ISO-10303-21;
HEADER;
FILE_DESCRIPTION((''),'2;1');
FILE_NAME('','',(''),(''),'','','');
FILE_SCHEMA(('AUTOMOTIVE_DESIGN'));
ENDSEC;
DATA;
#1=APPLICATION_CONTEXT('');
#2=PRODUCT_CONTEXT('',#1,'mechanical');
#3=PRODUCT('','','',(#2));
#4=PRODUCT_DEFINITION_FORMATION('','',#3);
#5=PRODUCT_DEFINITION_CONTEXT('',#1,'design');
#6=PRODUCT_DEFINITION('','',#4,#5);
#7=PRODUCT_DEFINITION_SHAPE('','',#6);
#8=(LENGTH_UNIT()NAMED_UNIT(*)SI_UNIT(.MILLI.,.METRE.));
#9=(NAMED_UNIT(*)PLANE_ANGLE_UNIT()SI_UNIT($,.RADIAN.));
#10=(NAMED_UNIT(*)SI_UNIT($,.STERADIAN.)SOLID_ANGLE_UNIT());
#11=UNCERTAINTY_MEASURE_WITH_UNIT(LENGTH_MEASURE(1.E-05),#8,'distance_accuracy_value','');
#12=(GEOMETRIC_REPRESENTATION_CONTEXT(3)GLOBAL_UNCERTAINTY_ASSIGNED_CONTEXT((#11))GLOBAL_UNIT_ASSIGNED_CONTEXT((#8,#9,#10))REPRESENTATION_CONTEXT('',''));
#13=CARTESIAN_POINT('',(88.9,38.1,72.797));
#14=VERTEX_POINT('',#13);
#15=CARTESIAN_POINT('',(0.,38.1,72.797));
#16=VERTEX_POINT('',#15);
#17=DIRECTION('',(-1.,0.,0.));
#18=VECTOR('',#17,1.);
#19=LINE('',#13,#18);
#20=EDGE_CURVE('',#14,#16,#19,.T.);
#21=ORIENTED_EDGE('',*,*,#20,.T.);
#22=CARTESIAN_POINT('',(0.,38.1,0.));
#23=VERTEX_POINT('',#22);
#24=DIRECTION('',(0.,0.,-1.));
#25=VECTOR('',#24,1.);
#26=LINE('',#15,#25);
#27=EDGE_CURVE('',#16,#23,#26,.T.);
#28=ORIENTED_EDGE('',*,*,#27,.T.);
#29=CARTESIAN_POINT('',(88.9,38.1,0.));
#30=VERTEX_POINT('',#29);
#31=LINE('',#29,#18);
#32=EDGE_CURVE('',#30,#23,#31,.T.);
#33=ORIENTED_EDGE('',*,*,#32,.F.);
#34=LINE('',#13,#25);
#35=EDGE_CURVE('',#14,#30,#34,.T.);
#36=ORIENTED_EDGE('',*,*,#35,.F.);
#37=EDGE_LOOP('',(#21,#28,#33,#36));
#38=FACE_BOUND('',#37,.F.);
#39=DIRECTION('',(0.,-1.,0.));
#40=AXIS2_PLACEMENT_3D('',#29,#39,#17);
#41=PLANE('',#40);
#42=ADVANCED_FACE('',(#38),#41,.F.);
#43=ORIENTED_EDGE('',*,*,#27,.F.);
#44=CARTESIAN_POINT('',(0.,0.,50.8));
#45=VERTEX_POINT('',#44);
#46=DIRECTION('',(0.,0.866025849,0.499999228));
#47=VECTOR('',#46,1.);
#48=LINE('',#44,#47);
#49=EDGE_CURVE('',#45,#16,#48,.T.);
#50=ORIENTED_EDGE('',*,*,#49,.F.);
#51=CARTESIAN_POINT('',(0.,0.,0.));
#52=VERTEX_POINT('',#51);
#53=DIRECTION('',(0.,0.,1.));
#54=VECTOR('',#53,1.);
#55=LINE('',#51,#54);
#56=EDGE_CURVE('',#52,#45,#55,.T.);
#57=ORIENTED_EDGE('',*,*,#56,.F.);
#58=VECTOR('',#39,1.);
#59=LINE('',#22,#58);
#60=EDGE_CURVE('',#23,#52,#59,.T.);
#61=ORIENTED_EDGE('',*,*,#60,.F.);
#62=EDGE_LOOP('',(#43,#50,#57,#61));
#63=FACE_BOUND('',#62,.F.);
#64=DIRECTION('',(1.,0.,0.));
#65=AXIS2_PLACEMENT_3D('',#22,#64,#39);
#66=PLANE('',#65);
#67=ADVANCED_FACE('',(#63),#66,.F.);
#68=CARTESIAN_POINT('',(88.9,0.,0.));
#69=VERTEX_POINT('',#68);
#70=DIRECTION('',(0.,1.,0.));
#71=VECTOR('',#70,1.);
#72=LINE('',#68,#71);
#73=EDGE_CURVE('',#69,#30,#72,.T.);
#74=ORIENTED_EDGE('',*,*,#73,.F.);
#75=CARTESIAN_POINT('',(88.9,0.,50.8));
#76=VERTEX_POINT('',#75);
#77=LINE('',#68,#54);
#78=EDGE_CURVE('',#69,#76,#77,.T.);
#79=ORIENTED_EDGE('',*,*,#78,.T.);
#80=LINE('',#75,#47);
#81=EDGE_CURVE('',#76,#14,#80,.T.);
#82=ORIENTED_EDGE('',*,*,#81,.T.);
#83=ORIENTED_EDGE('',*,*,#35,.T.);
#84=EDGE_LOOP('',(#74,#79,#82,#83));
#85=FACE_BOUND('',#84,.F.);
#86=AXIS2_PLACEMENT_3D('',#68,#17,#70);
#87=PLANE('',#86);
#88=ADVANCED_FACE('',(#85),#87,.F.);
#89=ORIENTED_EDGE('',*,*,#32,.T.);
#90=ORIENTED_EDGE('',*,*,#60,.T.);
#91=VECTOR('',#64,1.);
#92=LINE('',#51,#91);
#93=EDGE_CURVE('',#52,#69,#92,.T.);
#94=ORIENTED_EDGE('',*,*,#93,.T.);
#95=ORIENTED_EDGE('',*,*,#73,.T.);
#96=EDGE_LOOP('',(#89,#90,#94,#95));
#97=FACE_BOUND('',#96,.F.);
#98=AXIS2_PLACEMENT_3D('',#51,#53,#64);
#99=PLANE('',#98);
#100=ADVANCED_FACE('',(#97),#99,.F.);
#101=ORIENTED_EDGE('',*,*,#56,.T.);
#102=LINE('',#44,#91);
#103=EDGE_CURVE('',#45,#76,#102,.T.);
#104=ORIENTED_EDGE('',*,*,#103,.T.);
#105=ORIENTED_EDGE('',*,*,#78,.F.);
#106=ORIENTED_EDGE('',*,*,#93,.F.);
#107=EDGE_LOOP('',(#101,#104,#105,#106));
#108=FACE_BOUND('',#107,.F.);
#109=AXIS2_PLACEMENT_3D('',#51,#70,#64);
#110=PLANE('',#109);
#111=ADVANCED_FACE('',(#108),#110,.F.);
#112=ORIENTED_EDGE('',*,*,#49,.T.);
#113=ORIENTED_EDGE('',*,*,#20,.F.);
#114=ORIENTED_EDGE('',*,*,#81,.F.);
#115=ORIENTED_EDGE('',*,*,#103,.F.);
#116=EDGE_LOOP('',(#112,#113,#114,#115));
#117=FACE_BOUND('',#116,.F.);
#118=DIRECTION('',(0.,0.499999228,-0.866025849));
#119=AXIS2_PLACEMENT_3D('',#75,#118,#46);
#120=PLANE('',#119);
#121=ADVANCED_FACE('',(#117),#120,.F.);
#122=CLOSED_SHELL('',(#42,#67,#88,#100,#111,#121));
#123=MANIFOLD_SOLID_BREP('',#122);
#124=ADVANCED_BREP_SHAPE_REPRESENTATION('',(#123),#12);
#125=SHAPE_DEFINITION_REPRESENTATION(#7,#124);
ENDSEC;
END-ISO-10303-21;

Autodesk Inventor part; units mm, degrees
ref_plane "YZ Plane" through (0, 0, 0) normal (1, 0, 0) x (0, 1, 0)
ref_plane "XZ Plane" through (0, 0, 0) normal (0, 1, 0) x (-1, 0, 0)
ref_plane "XY Plane" through (0, 0, 0) normal (0, 0, 1) x (1, 0, 0)
sketch "Sketch1" plane through (0, 0, 0) normal (0, 0, 1) x (1, 0, 0)
  line L0 (0, 0) -> (88.9, 0)
  line L1 (88.9, 0) -> (88.9, 38.1)
  line L2 (88.9, 38.1) -> (0, 38.1)
  line L3 (0, 38.1) -> (0, 0)
  dimension "d0" = 88.9
  dimension "d1" = 38.1
extrude "Extrusion1" add sketch "Sketch1" along normal blind 50.8
sketch "Sketch2" plane through (88.9, 0, 0) normal (1, 0, 0) x (0, 0, -1)
  line L0 (-50.8, 0) -> (-72.797, 38.1)
  line L1 (-50.8, 0) -> (-50.8, 38.1) projected
  line L2 (-72.797, 38.1) -> (-50.8, 38.1)
  point P0 (0, 0)
  dimension "d4" = 30
extrude "Extrusion2" add sketch "Sketch2" against normal blind 88.9
properties part number "BA02" material "Wood (Oak)"
